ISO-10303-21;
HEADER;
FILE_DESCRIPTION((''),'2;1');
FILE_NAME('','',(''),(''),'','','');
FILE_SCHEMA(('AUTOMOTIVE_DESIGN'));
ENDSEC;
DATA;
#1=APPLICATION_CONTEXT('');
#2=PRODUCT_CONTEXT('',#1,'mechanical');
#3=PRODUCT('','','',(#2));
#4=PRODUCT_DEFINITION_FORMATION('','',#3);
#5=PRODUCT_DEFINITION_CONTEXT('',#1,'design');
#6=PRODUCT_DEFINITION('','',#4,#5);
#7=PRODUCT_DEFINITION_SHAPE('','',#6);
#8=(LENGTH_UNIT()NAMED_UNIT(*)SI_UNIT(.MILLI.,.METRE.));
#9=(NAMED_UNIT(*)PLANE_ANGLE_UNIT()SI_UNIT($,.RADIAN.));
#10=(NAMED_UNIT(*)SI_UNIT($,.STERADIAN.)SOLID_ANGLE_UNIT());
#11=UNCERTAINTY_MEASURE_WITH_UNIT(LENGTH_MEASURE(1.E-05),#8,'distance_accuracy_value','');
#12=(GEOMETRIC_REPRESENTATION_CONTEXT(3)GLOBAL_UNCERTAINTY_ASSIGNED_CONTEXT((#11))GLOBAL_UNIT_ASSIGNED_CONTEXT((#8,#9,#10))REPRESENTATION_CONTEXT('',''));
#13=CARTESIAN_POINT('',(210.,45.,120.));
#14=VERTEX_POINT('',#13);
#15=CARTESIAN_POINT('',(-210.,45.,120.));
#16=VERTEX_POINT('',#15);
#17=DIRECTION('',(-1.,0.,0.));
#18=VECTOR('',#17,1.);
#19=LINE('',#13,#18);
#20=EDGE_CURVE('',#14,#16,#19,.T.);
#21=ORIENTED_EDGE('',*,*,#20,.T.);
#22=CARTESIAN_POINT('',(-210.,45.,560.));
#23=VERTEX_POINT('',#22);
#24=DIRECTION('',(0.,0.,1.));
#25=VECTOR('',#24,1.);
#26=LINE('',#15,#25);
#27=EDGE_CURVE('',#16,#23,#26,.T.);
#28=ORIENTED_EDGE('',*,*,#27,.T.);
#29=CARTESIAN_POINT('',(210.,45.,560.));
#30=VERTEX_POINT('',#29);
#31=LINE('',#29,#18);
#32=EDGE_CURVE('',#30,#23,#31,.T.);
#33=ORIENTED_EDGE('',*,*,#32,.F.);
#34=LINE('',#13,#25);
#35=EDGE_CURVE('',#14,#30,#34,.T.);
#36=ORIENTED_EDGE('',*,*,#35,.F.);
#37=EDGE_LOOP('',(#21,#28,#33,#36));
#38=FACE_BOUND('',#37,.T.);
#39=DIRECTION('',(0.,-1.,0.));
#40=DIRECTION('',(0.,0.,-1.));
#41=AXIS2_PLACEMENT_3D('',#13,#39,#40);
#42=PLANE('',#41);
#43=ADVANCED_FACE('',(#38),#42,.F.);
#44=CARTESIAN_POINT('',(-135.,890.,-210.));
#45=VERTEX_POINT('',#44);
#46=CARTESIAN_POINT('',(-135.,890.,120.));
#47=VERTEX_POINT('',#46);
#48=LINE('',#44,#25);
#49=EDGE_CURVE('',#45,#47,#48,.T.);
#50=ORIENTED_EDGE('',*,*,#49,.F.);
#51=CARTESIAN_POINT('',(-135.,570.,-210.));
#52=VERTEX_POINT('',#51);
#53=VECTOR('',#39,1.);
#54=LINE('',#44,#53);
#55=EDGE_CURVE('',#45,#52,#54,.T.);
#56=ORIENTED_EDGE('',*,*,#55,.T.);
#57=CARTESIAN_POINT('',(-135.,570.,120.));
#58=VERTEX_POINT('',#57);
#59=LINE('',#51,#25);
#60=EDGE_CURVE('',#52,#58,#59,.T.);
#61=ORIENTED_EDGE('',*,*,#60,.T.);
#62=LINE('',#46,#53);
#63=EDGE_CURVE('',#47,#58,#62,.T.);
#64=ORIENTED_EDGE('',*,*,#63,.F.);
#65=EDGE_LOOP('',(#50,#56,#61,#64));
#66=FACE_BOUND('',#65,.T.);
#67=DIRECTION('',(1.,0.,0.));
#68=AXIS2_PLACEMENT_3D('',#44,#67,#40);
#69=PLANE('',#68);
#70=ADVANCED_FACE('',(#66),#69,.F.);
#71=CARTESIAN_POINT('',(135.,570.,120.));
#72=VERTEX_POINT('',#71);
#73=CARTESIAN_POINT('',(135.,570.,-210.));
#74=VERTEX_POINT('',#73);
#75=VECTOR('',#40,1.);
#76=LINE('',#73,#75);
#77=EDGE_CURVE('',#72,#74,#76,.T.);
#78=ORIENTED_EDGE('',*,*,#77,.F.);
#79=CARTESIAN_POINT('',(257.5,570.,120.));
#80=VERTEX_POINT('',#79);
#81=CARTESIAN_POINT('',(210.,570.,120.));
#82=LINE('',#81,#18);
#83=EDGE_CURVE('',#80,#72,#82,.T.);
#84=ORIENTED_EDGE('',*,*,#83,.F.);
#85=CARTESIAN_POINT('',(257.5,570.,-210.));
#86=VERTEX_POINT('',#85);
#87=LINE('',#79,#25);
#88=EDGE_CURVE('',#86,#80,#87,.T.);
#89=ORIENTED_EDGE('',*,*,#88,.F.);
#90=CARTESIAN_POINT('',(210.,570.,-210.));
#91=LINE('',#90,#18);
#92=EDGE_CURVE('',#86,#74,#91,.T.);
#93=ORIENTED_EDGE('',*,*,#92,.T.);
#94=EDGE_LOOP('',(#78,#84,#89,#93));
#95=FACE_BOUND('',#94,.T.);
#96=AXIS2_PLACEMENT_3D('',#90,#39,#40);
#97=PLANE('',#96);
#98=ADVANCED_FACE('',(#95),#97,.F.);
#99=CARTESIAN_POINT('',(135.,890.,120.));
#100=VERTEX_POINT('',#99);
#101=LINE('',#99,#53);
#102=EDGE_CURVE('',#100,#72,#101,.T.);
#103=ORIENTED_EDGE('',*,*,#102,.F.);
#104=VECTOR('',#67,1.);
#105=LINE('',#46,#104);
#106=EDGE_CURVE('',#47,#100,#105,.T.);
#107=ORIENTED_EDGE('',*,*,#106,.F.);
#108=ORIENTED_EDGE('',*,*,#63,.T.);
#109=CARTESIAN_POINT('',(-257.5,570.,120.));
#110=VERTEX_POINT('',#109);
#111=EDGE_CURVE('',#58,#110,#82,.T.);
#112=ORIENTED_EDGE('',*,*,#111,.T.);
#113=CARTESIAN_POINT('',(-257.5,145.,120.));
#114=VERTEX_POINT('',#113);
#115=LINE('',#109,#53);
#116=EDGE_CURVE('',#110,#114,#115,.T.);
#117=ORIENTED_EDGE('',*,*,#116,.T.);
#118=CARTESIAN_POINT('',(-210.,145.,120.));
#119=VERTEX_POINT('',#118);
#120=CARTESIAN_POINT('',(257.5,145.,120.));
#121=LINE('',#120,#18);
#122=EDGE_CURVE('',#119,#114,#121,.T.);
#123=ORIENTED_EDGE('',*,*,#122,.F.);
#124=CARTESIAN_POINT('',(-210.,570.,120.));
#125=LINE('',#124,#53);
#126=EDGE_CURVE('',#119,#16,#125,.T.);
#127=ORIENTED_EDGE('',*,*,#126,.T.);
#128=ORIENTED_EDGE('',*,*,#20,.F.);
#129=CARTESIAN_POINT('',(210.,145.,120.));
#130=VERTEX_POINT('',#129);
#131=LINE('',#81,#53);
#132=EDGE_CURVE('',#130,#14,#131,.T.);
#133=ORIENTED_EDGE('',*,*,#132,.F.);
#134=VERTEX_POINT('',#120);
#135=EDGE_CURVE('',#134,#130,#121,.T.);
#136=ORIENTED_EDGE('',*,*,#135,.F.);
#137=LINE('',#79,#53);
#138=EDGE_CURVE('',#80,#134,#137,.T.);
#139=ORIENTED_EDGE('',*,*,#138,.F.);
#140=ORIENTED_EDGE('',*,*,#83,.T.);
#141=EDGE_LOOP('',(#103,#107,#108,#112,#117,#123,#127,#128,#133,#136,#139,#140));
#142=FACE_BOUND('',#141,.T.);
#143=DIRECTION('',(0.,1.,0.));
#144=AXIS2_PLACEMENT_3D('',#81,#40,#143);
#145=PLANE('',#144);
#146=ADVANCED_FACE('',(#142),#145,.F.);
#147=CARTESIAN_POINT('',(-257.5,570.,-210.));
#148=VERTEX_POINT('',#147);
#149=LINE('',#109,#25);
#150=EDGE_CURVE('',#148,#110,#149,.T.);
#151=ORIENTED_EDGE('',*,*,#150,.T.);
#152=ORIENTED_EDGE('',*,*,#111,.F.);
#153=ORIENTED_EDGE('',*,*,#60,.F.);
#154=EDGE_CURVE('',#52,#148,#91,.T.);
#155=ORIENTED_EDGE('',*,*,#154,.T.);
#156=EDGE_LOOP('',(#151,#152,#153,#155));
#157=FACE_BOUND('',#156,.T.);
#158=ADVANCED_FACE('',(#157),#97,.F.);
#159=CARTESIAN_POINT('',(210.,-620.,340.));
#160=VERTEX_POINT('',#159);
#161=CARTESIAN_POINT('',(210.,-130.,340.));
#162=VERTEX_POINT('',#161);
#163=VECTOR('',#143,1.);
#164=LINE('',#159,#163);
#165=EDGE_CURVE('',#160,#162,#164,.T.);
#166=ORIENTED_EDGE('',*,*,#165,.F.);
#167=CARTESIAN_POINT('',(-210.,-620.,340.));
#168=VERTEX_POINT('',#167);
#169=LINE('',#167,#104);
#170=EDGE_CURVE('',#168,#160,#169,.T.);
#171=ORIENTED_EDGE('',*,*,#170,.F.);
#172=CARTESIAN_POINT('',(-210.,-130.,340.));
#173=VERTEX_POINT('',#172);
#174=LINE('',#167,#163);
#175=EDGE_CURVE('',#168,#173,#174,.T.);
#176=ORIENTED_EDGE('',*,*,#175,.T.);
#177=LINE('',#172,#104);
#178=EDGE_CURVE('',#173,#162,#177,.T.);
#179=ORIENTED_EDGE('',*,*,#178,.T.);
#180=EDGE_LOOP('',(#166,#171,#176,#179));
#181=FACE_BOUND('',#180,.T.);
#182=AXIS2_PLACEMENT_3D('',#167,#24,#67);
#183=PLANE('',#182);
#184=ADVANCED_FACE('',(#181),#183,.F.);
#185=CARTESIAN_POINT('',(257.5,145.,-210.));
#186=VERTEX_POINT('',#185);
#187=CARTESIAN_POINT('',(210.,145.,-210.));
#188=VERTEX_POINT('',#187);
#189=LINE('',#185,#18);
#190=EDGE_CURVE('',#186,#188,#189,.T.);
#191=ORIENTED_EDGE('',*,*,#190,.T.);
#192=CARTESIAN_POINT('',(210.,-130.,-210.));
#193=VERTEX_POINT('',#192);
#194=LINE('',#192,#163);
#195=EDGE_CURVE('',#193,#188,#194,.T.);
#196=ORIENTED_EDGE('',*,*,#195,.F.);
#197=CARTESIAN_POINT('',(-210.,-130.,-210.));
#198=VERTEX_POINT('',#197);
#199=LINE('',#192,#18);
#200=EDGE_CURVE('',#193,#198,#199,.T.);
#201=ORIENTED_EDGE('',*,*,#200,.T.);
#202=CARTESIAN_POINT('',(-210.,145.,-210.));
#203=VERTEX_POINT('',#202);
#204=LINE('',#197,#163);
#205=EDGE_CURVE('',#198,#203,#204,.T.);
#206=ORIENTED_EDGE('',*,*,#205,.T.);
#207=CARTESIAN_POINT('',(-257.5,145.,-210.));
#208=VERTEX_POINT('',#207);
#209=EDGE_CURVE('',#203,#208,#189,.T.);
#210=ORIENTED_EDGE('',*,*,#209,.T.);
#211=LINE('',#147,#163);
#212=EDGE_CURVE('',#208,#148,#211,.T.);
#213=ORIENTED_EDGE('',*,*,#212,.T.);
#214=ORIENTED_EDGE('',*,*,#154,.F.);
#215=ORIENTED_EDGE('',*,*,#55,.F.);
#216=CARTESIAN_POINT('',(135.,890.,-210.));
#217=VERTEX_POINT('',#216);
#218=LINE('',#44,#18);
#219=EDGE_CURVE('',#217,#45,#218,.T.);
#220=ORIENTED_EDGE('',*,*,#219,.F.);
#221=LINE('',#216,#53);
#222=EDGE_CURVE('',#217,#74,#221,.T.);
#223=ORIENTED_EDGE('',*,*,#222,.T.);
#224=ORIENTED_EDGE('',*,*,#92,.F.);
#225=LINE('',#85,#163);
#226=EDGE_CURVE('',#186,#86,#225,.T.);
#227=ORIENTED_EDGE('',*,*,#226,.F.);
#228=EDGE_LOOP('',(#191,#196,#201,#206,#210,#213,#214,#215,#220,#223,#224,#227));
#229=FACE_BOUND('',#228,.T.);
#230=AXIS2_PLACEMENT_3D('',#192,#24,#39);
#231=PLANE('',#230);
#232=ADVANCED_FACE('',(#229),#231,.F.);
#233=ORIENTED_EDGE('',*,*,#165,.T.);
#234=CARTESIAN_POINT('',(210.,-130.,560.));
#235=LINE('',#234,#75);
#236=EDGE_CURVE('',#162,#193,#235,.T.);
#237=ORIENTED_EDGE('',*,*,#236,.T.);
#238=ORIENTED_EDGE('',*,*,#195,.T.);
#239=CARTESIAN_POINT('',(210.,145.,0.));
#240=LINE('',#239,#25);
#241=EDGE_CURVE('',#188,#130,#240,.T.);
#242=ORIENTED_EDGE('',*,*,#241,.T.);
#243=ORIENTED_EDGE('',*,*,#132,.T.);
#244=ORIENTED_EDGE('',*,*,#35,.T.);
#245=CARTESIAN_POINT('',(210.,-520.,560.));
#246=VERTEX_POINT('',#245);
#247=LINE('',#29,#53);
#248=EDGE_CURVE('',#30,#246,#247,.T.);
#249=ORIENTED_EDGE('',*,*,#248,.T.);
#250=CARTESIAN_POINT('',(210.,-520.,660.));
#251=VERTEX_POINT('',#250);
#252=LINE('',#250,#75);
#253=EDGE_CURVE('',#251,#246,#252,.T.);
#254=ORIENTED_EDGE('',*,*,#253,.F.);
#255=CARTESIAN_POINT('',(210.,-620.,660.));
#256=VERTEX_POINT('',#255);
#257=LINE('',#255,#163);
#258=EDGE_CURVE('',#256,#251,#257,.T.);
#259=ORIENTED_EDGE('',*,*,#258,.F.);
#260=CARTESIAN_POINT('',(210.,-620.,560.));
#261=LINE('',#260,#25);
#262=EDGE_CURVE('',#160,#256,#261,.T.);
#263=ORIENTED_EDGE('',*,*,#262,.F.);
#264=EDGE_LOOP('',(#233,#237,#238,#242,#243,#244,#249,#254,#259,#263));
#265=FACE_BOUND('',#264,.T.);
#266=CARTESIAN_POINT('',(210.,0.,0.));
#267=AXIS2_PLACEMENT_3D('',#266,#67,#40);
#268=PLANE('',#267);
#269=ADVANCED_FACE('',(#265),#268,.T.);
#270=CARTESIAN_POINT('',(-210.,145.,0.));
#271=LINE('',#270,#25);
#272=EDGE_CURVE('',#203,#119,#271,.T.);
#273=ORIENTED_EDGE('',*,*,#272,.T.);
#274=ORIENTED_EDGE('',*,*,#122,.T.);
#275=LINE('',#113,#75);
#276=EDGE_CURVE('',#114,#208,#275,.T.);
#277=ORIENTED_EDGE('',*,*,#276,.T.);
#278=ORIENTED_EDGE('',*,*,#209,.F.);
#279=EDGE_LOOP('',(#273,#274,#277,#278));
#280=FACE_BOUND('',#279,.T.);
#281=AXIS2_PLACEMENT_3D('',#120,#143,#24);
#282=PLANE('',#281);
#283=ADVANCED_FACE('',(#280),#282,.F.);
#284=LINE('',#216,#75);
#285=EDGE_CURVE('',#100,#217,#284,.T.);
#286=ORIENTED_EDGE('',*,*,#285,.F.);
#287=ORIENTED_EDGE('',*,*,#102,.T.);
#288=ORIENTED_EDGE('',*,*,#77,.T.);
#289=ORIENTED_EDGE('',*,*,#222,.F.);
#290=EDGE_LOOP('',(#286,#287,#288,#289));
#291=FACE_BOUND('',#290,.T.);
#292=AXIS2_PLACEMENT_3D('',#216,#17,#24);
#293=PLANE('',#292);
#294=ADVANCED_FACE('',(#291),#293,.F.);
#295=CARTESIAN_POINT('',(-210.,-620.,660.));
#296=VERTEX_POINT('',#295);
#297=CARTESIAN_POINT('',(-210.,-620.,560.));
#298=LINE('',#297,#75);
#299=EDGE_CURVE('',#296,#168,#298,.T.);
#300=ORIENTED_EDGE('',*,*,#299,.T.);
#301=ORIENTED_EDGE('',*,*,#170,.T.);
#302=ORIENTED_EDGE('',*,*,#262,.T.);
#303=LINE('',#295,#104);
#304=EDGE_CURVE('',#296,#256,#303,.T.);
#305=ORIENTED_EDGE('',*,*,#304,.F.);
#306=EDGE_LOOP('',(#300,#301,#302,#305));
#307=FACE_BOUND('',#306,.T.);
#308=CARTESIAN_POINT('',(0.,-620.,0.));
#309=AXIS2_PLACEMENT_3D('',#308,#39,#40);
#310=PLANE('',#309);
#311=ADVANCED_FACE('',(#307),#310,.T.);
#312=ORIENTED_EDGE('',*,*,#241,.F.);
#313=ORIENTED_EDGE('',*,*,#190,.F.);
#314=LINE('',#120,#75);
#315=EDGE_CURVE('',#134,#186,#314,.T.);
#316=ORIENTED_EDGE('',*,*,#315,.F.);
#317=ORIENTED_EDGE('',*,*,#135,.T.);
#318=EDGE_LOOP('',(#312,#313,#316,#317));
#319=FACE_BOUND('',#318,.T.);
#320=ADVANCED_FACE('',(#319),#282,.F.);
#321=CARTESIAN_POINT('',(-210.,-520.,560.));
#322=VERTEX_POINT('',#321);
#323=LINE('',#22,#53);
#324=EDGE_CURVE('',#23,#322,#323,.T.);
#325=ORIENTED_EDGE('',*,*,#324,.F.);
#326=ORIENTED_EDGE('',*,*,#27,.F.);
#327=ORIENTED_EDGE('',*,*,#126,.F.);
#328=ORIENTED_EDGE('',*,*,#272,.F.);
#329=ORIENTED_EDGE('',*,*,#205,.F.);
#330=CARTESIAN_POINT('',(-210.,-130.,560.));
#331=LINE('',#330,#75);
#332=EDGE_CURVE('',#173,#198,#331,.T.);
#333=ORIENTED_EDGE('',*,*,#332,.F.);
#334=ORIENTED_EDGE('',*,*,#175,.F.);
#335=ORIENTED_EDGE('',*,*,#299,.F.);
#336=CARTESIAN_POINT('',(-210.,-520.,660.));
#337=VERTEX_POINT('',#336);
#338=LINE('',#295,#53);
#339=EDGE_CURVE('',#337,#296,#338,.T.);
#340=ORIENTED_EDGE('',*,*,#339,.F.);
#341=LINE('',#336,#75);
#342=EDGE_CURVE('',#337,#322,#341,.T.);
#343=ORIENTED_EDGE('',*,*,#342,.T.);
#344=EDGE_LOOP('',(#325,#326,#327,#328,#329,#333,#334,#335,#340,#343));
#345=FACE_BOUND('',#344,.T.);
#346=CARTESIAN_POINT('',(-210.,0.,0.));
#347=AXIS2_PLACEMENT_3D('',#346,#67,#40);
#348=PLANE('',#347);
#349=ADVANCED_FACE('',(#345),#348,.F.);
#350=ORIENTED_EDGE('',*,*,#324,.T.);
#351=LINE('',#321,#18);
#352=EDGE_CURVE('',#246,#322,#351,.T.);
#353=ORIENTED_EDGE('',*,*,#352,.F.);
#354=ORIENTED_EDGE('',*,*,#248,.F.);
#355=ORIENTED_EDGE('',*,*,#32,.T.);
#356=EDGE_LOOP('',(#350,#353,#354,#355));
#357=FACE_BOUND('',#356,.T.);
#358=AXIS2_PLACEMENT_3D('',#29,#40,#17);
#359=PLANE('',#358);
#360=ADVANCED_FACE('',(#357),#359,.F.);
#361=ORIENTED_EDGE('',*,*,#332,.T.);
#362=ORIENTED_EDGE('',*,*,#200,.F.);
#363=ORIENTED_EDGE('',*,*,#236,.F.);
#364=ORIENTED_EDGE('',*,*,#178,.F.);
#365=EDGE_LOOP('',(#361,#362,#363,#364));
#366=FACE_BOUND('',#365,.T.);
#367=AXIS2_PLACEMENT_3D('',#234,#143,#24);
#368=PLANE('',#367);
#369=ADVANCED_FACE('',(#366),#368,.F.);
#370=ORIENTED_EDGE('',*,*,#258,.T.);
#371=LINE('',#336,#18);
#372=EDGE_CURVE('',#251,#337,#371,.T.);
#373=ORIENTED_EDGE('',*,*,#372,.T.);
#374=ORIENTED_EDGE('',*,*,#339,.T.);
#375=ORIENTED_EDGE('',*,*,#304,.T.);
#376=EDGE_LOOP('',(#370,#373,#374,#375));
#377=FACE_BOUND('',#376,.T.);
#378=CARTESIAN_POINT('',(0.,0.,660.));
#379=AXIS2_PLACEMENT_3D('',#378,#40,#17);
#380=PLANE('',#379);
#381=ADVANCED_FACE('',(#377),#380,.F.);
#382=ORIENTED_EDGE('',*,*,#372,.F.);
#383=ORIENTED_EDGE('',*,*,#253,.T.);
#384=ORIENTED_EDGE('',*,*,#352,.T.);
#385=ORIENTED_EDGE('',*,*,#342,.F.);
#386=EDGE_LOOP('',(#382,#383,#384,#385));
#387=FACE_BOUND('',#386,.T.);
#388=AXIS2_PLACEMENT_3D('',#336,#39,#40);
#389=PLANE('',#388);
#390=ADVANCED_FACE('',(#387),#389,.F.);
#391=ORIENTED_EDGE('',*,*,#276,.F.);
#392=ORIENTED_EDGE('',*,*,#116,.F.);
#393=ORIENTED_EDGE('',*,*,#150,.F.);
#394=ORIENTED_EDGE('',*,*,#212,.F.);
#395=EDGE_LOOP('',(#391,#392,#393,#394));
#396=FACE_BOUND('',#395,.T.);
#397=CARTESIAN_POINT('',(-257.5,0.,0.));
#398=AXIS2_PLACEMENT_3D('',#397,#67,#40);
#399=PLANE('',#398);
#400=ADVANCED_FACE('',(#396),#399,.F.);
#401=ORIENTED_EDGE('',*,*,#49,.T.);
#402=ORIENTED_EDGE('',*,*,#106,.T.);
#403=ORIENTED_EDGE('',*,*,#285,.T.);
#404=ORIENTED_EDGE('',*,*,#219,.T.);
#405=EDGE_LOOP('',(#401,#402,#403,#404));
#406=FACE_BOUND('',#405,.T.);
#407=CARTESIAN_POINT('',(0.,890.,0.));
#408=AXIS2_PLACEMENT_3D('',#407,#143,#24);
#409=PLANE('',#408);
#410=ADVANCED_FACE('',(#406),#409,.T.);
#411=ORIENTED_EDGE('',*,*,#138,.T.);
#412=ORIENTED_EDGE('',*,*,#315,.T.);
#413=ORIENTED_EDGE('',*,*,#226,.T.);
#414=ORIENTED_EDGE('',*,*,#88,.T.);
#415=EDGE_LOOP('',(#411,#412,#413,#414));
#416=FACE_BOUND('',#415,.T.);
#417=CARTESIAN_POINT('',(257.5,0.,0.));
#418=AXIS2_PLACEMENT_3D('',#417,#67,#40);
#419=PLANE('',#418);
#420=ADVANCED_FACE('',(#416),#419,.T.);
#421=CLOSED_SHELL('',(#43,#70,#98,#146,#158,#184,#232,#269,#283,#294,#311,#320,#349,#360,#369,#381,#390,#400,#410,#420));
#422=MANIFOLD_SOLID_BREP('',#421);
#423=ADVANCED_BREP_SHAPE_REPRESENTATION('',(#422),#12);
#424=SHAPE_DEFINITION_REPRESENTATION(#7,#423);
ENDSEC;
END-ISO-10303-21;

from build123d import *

# Parameters (mm, degrees)
BOSS_EXTRUDE1_DEPTH = 210
SKETCH3_W           = 270
SKETCH3_H           = 330
BOSS_EXTRUDE2_DEPTH = 320
SKETCH4_W           = 330
SKETCH4_H           = 425
BOSS_EXTRUDE3_DEPTH = 257.5
SKETCH5_W           = 420
SKETCH5_H           = 220
BOSS_EXTRUDE4_DEPTH = 490
SKETCH6_W           = 420
SKETCH6_H           = 100
BOSS_EXTRUDE5_DEPTH = 100


with BuildPart() as part:
    # Sketch2 → Boss-Extrude1 (new, symmetric)
    with BuildSketch(Plane(origin=(0, 0, 0), x_dir=(0, 0, -1), z_dir=(1, 0, 0))):
        Polygon((-560, -130), (210, -130), (210, 570), (-120, 570), (-120, 45), (-560, 45), align=None)
    extrude(amount=BOSS_EXTRUDE1_DEPTH, both=True)

    # Sketch3 → Boss-Extrude2 (add)
    with BuildSketch(Plane(origin=(0, 570, 0), x_dir=(1, 0, 0), z_dir=(0, 1, 0))):
        with Locations((0, 45)):
            Rectangle(SKETCH3_W, SKETCH3_H)
    extrude(amount=BOSS_EXTRUDE2_DEPTH)

    # Sketch4 → Boss-Extrude3 (add, symmetric)
    with BuildSketch(Plane(origin=(0, 0, 0), x_dir=(0, 0, -1), z_dir=(1, 0, 0))):
        with Locations((45, 357.5)):
            Rectangle(SKETCH4_W, SKETCH4_H)
    extrude(amount=BOSS_EXTRUDE3_DEPTH, both=True)

    # Sketch5 → Boss-Extrude4 (add)
    with BuildSketch(Plane.XZ.offset(130)):
        with Locations((0, 450)):
            Rectangle(SKETCH5_W, SKETCH5_H)
    extrude(amount=BOSS_EXTRUDE4_DEPTH)

    # Sketch6 → Boss-Extrude5 (add)
    with BuildSketch(Plane.XY.offset(560)):
        with Locations((0, -570)):
            Rectangle(SKETCH6_W, SKETCH6_H)
    extrude(amount=BOSS_EXTRUDE5_DEPTH)


solid = part.part
